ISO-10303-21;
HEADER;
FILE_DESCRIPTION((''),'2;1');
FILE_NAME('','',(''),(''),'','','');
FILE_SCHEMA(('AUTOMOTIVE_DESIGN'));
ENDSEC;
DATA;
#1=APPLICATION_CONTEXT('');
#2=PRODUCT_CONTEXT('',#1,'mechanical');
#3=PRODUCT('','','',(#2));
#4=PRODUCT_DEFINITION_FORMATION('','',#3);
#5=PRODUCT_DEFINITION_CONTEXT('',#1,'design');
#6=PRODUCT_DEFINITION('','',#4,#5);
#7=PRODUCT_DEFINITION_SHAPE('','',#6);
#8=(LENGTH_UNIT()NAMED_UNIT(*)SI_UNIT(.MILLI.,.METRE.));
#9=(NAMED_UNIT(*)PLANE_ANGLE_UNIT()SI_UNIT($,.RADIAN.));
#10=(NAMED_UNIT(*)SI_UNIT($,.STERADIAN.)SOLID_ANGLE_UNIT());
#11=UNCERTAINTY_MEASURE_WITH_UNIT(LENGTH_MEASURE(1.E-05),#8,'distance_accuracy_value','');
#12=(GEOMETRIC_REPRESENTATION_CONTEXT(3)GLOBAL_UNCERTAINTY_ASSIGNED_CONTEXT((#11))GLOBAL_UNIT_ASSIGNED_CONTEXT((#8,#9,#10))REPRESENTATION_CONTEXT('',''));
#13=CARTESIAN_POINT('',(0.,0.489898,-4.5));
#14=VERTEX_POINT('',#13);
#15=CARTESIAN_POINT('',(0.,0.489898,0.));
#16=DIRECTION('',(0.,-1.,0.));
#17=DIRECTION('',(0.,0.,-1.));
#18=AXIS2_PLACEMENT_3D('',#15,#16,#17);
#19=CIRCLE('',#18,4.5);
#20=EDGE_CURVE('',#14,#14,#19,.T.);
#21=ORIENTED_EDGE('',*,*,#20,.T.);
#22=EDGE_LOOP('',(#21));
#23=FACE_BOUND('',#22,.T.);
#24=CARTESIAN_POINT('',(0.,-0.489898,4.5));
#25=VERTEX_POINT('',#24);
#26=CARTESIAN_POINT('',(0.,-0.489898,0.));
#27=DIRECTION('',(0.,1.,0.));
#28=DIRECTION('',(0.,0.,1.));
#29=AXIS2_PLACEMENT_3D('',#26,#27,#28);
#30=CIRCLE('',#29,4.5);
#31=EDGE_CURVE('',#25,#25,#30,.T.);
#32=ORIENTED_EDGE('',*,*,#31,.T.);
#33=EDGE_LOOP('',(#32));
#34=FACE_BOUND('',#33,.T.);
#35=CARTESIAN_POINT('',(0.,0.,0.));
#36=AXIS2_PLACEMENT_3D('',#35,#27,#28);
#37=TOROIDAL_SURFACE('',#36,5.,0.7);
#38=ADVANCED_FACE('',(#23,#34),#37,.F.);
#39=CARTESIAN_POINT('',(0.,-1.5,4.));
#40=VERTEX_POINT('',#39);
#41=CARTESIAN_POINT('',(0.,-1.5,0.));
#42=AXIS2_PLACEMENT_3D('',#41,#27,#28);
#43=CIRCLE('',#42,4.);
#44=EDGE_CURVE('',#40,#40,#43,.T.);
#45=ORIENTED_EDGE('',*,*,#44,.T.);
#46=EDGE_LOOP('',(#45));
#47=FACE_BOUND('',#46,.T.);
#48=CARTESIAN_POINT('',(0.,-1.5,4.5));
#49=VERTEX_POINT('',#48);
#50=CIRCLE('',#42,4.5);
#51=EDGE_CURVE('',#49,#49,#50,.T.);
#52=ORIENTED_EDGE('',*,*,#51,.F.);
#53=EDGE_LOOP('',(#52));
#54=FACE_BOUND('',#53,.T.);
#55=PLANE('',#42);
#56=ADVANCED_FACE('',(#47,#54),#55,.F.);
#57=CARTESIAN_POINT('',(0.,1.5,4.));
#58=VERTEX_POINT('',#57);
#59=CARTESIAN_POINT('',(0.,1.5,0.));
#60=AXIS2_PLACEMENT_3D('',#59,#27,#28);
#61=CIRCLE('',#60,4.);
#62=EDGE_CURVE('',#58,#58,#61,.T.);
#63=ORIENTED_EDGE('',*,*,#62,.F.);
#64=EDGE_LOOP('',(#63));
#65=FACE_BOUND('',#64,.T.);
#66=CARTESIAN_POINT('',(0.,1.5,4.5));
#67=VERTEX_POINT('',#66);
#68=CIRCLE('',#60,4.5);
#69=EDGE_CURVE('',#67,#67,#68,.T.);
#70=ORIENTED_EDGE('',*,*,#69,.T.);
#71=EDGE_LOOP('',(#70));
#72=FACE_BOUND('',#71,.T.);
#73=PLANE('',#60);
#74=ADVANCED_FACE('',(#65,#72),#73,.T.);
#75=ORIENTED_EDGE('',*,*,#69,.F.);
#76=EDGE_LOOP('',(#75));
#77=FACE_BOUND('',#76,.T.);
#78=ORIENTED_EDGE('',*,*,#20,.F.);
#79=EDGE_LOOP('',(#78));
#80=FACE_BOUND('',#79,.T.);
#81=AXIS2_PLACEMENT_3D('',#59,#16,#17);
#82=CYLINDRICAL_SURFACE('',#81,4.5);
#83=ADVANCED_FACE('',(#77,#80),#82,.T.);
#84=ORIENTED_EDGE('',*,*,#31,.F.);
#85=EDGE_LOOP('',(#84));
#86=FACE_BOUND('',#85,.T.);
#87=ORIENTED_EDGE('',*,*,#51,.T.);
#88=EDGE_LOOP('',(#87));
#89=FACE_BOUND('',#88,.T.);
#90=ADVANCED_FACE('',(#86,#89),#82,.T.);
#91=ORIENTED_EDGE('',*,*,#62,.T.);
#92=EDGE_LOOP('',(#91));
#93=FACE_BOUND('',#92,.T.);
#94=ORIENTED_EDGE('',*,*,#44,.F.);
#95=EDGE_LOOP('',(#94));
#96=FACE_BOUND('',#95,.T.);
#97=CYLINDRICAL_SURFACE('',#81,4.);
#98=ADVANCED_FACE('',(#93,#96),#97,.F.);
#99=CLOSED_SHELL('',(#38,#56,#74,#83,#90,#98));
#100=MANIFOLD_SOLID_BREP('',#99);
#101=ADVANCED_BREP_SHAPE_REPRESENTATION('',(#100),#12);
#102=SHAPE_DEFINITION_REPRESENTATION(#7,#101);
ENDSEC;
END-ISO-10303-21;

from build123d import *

# Parameters (mm, degrees)
DIAMETER_PROFILE_SKETCH_R     = 4.5
DIAMETER_PROFILE_SKETCH_R_2   = 4
DIAMETER_PROFILE_DEPTH        = 1.5
BEARING_PATH_PROFILE_SKETCH_R = 0.7


with BuildPart() as part:
    # Diameter Profile Sketch → Diameter Profile (new, symmetric)
    with BuildSketch(Plane(origin=(0, 0, 0), x_dir=(1, 0, 0), z_dir=(0, 1, 0))):
        with Locations(Location((0, 0, 0), (0, 0, 270))):
            Circle(DIAMETER_PROFILE_SKETCH_R)
        with Locations(Location((0, 0, 0), (0, 0, 270))):
            Circle(DIAMETER_PROFILE_SKETCH_R_2, mode=Mode.SUBTRACT)
    extrude(amount=DIAMETER_PROFILE_DEPTH, both=True)

    # Bearing Path Profile Sketch → Bearing Path Profile (revolve, cut)
    with BuildSketch(Plane.XY, mode=Mode.PRIVATE) as bearing_path_profile_sk:
        with Locations((5, 0)):
            Circle(BEARING_PATH_PROFILE_SKETCH_R)
    revolve(bearing_path_profile_sk.sketch.rotate(Axis((0, 1.5, 0), (0, -1, 0)), 90), axis=Axis((0, 1.5, 0), (0, -1, 0)), mode=Mode.SUBTRACT)


solid = part.part
